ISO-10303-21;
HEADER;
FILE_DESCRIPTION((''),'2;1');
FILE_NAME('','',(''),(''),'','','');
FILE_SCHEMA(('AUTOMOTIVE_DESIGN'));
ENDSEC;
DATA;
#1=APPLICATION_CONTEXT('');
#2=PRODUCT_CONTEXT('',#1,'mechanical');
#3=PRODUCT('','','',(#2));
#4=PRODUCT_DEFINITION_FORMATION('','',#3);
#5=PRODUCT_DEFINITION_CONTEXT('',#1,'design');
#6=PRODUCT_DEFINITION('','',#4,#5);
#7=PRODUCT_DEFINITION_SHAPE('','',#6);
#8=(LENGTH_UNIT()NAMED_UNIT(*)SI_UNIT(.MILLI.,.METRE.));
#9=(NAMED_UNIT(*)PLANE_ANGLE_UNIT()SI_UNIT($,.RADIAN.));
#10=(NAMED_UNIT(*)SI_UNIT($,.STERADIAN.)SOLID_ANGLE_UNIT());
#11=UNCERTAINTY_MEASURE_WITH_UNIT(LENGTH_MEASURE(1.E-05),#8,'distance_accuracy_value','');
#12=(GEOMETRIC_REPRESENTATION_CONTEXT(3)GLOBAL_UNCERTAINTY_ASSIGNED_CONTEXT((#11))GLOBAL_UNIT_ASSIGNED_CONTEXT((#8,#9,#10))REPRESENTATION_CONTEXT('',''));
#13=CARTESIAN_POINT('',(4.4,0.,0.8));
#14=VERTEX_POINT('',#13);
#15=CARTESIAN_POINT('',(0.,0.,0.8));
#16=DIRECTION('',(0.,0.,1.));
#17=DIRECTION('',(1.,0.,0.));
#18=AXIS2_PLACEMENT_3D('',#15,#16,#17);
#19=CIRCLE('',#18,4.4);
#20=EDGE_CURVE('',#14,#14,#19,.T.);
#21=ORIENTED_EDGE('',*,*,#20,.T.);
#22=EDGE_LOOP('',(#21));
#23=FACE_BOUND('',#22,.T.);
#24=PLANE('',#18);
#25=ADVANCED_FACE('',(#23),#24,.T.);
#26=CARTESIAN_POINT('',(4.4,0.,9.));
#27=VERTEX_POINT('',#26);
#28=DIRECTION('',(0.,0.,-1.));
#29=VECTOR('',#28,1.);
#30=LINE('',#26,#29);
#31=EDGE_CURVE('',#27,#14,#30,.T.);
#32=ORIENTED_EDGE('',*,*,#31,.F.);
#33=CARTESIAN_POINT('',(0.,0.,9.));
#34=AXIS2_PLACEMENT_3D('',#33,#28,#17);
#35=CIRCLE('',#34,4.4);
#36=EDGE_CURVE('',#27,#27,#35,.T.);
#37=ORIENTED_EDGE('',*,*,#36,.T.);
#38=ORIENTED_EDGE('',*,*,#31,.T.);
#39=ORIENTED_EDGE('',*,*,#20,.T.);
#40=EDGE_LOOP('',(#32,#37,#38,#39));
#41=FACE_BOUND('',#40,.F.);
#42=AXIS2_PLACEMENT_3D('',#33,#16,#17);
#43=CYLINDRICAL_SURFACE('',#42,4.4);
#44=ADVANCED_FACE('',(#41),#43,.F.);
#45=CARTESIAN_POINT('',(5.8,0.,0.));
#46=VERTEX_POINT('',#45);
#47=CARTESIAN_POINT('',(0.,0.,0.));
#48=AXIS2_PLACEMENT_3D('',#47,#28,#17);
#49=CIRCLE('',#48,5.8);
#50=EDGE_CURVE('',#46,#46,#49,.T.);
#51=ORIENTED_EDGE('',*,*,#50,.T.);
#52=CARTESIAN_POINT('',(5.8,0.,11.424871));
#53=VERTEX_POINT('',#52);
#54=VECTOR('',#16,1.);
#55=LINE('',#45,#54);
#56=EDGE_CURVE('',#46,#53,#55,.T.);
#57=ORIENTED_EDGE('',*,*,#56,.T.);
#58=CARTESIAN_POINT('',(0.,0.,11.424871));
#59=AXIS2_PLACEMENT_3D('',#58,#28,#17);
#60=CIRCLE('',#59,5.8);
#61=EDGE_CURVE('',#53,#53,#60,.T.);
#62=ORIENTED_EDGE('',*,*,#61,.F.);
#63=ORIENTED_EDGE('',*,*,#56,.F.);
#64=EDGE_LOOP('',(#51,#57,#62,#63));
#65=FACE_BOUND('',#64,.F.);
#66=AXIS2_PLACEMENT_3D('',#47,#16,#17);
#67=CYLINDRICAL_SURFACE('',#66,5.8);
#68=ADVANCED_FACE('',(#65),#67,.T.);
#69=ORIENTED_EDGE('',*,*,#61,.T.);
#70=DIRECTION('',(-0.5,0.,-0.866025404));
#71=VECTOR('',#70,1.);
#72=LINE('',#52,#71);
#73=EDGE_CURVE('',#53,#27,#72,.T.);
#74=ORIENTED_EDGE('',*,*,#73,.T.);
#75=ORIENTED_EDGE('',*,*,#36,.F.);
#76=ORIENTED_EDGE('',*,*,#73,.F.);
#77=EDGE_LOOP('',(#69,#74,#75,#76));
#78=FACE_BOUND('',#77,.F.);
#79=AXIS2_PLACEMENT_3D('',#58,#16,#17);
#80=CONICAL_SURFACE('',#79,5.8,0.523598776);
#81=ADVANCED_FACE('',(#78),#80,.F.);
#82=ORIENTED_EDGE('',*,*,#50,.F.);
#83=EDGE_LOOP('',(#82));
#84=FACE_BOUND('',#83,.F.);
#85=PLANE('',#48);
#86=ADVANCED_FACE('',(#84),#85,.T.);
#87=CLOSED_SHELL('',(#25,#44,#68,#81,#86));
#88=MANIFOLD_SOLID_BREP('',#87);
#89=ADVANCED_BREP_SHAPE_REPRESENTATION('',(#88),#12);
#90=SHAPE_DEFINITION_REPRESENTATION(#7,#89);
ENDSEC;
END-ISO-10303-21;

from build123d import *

# Parameters (mm, degrees)
F2_R     = 4.4
F3_DEPTH = 8.2


with BuildPart() as f1:
    # F0 (on Front) → F1 (revolve)
    with BuildSketch(Plane.XZ):
        Polygon((0, 9), (0, 0), (5.8, 0), (5.8, 11.4248711306), (4.4, 9), align=None)
    revolve(axis=Axis((0, 0, 0.5432993317), (0, 0, -1)))

    # F2 (on face) → F3 (cut, through all)
    with BuildSketch(Plane.XY.offset(9)):
        Circle(F2_R)
    extrude(amount=-F3_DEPTH, mode=Mode.SUBTRACT)


solid = f1.part
